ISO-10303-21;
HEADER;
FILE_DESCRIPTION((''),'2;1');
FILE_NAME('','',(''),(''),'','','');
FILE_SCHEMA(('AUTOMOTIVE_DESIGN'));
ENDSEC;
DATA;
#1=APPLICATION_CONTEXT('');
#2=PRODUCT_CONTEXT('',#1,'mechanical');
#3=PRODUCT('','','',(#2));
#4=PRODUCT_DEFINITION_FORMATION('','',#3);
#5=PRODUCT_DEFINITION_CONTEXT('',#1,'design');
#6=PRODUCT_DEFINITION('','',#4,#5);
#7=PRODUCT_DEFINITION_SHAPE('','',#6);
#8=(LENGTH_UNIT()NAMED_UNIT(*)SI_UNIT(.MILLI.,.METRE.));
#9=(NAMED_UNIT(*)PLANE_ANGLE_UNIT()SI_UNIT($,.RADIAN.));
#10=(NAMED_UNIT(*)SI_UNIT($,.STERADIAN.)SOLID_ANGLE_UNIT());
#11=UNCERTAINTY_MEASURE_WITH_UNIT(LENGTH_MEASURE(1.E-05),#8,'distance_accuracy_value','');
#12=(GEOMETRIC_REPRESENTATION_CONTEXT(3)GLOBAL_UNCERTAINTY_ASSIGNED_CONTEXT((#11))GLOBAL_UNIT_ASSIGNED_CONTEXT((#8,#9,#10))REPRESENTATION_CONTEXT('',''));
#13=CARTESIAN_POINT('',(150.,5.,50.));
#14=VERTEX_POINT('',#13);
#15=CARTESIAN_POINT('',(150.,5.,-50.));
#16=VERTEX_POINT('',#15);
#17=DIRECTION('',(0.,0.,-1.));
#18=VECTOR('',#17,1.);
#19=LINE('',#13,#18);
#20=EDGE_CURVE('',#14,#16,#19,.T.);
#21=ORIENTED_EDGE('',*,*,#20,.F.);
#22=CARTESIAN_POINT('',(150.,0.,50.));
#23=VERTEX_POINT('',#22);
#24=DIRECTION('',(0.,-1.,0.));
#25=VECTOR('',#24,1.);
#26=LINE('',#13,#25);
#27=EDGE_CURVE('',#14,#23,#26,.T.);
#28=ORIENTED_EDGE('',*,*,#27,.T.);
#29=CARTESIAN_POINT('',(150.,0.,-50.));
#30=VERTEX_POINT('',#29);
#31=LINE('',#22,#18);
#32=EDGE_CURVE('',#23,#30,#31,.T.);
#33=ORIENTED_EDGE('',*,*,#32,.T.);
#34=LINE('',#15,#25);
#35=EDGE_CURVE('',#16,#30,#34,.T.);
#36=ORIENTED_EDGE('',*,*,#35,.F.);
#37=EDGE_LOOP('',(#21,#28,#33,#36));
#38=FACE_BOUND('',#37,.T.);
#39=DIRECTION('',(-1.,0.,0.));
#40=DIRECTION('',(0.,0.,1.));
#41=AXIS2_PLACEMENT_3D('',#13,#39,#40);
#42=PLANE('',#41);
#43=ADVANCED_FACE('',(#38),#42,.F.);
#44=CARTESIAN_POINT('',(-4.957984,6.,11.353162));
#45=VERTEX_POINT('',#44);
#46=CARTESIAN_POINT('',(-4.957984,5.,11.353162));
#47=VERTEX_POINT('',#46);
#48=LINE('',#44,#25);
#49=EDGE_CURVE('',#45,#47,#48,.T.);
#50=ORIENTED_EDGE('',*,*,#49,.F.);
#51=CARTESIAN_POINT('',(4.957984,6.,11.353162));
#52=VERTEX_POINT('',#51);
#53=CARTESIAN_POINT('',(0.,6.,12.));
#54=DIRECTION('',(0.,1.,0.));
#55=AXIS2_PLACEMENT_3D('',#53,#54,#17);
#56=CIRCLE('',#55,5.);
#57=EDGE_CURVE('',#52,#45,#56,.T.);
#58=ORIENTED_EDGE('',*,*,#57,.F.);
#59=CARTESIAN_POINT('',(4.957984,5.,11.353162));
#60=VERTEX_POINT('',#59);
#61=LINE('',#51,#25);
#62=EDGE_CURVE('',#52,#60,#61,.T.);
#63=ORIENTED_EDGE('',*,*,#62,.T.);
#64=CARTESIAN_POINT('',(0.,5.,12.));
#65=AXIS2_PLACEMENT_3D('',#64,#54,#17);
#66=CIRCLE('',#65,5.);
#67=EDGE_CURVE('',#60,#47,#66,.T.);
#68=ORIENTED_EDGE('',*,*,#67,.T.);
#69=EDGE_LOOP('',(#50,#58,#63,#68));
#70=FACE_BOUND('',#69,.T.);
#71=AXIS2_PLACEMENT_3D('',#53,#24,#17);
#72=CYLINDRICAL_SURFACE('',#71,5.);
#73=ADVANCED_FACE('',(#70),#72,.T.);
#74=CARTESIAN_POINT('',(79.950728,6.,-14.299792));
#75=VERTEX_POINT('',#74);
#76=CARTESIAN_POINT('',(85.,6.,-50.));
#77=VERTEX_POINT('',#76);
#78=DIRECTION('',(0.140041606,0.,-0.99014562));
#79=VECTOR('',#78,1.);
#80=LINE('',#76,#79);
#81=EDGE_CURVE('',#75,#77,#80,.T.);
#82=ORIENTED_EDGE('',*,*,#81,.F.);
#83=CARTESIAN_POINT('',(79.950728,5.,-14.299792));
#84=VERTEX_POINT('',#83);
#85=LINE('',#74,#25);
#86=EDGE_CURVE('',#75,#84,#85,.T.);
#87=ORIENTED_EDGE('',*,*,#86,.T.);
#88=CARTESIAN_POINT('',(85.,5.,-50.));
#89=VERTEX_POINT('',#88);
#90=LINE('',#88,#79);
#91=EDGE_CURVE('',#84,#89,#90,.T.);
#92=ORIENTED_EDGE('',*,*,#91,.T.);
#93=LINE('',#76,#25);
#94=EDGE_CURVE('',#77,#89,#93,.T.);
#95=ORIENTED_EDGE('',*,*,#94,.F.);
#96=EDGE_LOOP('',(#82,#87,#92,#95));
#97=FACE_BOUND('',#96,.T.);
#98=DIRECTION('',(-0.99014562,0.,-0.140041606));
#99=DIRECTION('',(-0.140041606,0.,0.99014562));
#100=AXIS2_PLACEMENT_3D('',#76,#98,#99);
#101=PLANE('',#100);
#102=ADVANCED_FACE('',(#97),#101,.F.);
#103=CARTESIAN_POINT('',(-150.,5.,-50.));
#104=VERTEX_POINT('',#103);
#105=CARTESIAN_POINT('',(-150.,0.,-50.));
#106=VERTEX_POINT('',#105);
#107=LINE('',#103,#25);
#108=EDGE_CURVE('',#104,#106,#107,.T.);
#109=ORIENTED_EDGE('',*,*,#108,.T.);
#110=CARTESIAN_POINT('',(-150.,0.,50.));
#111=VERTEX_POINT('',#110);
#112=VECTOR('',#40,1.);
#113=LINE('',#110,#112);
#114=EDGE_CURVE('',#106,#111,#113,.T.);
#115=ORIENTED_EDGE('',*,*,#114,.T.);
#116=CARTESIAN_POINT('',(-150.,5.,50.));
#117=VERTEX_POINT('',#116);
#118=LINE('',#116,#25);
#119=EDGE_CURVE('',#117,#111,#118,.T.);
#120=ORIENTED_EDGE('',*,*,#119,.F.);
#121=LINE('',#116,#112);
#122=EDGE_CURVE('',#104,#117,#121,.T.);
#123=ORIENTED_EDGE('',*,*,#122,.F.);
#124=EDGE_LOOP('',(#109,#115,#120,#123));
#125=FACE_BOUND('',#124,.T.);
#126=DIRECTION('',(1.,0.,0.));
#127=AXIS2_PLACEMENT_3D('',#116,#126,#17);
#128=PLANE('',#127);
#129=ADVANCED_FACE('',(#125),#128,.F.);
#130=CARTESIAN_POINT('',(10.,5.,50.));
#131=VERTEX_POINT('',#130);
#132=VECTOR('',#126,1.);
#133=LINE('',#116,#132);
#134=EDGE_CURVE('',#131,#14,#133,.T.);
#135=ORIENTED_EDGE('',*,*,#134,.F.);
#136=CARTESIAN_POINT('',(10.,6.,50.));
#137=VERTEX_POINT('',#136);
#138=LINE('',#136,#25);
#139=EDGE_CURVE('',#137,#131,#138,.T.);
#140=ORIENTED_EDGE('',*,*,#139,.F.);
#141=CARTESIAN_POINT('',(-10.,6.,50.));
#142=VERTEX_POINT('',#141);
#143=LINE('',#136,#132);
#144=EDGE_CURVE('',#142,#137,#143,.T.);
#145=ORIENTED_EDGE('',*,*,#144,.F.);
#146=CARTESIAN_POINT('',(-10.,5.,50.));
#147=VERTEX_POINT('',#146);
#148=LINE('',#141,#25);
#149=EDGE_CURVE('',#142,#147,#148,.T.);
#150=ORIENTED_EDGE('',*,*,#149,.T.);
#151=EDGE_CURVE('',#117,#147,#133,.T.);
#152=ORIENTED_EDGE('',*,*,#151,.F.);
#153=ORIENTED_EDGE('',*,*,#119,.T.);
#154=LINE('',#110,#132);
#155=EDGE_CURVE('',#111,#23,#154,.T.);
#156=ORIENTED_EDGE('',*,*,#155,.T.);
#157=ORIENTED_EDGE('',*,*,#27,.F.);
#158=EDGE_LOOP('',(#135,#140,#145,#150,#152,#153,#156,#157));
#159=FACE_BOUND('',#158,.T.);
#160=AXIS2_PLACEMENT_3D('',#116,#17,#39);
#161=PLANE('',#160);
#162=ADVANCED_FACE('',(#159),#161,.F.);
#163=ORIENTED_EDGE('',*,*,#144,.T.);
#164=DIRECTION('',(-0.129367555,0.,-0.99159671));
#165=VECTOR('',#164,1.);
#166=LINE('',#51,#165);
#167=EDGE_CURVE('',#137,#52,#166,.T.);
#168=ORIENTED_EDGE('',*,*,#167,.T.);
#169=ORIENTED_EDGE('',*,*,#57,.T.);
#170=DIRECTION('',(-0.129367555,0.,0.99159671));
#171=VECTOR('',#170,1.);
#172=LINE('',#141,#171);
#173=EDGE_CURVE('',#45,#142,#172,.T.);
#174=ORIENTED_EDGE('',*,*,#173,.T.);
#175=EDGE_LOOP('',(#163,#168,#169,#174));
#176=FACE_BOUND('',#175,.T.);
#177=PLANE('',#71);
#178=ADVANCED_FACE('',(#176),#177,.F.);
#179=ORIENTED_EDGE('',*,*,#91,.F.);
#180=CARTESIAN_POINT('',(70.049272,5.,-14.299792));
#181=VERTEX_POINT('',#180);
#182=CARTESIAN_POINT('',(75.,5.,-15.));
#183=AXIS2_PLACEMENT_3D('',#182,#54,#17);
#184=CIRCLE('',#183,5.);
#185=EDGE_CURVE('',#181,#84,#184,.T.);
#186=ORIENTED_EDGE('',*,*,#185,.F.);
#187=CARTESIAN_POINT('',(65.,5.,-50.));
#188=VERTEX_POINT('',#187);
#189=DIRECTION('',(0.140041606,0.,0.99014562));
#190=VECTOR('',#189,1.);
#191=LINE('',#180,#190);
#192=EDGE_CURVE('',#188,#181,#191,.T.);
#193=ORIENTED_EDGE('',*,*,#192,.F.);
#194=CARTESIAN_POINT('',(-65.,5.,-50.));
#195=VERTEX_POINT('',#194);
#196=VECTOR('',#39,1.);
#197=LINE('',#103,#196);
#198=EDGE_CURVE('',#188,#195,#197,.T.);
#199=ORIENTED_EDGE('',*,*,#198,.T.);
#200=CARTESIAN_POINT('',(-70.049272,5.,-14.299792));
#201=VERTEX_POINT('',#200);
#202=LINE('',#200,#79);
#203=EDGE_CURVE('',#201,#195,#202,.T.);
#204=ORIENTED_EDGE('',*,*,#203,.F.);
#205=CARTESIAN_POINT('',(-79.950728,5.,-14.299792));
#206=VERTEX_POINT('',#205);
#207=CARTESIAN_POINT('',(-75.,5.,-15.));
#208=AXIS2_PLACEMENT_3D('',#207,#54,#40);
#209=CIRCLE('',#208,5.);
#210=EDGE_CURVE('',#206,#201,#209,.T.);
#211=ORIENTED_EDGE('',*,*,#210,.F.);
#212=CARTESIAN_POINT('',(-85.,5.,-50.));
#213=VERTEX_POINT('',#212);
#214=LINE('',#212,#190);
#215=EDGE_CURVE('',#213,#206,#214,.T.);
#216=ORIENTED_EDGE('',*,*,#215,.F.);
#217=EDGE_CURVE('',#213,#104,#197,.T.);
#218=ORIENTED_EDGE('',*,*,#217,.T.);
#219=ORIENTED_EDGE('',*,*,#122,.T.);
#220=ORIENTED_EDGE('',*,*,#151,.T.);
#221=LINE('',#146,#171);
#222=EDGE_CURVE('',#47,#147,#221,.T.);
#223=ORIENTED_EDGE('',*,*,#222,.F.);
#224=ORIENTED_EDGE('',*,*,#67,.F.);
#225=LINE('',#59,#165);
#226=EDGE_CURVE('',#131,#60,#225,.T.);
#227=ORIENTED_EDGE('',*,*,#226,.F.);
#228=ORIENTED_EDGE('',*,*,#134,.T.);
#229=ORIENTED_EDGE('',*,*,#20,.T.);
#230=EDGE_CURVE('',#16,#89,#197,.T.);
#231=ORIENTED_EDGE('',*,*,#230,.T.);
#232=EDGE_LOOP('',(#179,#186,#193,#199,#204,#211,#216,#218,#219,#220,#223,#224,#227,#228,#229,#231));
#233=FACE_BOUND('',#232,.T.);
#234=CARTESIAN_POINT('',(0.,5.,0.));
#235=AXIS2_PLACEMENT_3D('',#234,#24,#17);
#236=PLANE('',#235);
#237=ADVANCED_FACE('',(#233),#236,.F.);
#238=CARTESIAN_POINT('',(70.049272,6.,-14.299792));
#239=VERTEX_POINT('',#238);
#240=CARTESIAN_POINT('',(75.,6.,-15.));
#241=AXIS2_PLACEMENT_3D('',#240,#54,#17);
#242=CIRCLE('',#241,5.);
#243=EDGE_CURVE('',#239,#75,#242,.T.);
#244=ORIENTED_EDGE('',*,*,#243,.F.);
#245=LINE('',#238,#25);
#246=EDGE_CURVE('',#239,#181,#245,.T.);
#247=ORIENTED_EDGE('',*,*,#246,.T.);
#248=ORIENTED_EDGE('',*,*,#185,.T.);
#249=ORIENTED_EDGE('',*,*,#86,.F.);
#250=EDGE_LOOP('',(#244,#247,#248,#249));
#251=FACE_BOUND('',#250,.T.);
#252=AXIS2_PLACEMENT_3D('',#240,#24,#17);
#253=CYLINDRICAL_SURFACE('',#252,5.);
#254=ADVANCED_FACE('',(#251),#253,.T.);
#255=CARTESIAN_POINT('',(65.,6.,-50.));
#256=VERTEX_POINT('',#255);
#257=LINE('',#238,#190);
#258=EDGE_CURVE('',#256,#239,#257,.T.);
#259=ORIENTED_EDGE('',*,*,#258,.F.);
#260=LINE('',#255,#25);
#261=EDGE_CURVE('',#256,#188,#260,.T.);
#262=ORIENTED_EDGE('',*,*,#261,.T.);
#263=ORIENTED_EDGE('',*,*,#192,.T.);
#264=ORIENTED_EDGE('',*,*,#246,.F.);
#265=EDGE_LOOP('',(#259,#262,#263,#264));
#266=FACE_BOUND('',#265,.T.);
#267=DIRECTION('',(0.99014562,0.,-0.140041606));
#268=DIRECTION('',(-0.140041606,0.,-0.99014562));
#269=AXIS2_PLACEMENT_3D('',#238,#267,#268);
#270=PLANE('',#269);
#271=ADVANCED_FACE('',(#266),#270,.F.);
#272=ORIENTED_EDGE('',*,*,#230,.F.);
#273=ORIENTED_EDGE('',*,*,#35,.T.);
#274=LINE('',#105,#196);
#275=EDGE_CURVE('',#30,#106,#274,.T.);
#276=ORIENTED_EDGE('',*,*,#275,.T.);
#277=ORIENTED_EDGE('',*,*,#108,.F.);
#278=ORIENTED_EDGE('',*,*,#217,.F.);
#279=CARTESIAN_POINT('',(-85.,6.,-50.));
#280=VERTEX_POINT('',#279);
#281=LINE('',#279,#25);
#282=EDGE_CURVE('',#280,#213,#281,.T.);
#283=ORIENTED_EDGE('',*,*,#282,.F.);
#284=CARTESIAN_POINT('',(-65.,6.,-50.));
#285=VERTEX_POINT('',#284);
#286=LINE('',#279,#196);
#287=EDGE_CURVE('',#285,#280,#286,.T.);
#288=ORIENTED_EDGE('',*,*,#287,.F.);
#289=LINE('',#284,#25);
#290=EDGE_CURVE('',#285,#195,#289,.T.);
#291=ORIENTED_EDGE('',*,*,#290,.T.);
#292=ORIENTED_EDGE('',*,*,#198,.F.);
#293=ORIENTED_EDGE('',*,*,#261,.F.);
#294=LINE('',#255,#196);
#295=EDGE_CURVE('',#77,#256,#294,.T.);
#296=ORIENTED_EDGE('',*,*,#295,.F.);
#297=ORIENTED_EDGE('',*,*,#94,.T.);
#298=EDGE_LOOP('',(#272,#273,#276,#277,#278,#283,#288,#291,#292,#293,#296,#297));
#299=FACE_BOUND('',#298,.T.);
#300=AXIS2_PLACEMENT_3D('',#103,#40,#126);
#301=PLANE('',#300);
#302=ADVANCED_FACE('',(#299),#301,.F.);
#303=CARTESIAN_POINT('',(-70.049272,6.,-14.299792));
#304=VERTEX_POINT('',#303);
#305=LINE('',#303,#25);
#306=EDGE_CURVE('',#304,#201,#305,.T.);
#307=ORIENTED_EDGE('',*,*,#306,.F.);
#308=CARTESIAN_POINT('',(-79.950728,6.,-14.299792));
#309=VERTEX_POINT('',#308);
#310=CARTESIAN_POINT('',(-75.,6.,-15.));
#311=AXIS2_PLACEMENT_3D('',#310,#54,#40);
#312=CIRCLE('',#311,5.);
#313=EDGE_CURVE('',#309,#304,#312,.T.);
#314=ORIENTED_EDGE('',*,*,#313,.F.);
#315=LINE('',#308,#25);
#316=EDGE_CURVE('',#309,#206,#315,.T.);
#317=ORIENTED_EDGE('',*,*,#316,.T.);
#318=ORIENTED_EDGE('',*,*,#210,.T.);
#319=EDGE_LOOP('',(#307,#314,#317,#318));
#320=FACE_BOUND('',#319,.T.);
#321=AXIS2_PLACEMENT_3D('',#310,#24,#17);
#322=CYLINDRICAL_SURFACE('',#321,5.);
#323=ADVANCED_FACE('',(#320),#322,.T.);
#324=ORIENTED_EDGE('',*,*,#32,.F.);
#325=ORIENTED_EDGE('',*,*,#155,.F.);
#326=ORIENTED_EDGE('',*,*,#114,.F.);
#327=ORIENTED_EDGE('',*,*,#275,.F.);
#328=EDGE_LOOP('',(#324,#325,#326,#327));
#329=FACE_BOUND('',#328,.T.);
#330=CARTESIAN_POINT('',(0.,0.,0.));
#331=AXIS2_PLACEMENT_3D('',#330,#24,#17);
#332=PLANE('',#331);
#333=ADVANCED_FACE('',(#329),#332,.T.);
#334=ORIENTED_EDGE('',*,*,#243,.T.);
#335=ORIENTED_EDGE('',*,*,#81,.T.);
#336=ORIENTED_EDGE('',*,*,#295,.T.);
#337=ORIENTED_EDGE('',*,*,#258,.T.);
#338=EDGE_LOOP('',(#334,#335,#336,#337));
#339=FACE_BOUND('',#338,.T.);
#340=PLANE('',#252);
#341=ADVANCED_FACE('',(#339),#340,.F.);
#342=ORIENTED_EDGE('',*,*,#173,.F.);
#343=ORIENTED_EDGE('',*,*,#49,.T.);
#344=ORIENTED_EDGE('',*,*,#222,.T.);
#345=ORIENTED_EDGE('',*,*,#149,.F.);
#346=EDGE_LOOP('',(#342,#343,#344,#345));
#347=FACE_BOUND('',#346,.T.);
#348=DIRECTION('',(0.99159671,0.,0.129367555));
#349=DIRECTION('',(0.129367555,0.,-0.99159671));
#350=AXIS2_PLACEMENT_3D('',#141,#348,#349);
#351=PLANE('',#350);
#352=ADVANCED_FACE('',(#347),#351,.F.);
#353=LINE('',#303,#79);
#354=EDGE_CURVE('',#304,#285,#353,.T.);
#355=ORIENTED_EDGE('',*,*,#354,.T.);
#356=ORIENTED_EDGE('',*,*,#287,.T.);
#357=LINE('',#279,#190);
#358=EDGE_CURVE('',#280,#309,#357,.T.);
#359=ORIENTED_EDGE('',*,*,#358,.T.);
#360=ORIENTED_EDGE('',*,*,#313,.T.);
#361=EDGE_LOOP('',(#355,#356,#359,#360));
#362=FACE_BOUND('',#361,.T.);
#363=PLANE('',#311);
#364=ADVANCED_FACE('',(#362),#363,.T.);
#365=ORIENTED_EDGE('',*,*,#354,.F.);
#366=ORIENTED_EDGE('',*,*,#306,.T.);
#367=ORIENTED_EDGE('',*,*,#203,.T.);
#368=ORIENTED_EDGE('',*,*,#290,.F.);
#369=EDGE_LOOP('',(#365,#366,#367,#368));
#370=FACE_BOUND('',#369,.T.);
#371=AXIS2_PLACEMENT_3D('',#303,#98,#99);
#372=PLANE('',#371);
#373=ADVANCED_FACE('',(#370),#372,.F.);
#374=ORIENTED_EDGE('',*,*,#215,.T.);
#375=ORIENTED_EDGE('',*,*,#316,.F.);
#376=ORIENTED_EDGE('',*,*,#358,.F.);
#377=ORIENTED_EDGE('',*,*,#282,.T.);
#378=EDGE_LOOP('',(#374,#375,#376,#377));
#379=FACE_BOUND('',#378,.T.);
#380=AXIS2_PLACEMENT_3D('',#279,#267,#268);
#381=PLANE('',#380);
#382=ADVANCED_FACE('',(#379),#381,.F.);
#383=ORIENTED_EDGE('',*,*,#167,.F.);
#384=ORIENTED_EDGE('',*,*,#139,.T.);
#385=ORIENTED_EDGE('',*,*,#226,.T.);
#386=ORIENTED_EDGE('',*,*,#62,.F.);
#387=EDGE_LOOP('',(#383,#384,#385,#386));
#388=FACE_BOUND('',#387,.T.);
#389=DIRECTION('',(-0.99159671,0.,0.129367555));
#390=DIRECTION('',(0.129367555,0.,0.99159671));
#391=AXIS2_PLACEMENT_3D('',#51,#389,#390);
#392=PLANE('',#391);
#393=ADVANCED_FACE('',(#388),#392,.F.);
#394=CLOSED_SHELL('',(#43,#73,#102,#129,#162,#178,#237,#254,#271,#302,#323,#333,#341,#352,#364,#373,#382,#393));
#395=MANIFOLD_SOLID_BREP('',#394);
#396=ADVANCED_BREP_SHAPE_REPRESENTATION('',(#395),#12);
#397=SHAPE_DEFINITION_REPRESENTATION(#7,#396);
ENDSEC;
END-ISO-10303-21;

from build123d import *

# Parameters (mm, degrees)
SKETCH1_W           = 300
SKETCH1_H           = 100
BOSS_EXTRUDE1_DEPTH = 5
BOSS_EXTRUDE2_DEPTH = 1


with BuildPart() as part:
    # Sketch1 → Boss-Extrude1 (new body)
    with BuildSketch(Plane(origin=(0, 0, 0), x_dir=(1, 0, 0), z_dir=(0, 1, 0))):
        Rectangle(SKETCH1_W, SKETCH1_H)
    extrude(amount=BOSS_EXTRUDE1_DEPTH)

    # Sketch2 → Boss-Extrude2 (add)
    with BuildSketch(Plane(origin=(0, 5, 0), x_dir=(1, 0, 0), z_dir=(0, 1, 0))):
        with BuildLine():
            Line((-85, 50), (-79.9507281, 14.299791972))
            ThreePointArc((-79.9507281, 14.299791972), (-75, 10), (-70.0492719, 14.299791972))
            Line((-70.0492719, 14.299791972), (-65, 50))
            Line((-65, 50), (-85, 50))
        make_face()
        with BuildLine():
            Line((70.0492719, 14.299791972), (65, 50))
            Line((65, 50), (85, 50))
            Line((85, 50), (79.9507281, 14.299791972))
            ThreePointArc((79.9507281, 14.299791972), (75, 10), (70.0492719, 14.299791972))
        make_face()
        with BuildLine():
            Line((4.957983551, -11.353162223), (10, -50))
            Line((10, -50), (-10, -50))
            Line((-10, -50), (-4.957983551, -11.353162223))
            ThreePointArc((-4.957983551, -11.353162223), (0, -7), (4.957983551, -11.353162223))
        make_face()
    extrude(amount=BOSS_EXTRUDE2_DEPTH)


solid = part.part
